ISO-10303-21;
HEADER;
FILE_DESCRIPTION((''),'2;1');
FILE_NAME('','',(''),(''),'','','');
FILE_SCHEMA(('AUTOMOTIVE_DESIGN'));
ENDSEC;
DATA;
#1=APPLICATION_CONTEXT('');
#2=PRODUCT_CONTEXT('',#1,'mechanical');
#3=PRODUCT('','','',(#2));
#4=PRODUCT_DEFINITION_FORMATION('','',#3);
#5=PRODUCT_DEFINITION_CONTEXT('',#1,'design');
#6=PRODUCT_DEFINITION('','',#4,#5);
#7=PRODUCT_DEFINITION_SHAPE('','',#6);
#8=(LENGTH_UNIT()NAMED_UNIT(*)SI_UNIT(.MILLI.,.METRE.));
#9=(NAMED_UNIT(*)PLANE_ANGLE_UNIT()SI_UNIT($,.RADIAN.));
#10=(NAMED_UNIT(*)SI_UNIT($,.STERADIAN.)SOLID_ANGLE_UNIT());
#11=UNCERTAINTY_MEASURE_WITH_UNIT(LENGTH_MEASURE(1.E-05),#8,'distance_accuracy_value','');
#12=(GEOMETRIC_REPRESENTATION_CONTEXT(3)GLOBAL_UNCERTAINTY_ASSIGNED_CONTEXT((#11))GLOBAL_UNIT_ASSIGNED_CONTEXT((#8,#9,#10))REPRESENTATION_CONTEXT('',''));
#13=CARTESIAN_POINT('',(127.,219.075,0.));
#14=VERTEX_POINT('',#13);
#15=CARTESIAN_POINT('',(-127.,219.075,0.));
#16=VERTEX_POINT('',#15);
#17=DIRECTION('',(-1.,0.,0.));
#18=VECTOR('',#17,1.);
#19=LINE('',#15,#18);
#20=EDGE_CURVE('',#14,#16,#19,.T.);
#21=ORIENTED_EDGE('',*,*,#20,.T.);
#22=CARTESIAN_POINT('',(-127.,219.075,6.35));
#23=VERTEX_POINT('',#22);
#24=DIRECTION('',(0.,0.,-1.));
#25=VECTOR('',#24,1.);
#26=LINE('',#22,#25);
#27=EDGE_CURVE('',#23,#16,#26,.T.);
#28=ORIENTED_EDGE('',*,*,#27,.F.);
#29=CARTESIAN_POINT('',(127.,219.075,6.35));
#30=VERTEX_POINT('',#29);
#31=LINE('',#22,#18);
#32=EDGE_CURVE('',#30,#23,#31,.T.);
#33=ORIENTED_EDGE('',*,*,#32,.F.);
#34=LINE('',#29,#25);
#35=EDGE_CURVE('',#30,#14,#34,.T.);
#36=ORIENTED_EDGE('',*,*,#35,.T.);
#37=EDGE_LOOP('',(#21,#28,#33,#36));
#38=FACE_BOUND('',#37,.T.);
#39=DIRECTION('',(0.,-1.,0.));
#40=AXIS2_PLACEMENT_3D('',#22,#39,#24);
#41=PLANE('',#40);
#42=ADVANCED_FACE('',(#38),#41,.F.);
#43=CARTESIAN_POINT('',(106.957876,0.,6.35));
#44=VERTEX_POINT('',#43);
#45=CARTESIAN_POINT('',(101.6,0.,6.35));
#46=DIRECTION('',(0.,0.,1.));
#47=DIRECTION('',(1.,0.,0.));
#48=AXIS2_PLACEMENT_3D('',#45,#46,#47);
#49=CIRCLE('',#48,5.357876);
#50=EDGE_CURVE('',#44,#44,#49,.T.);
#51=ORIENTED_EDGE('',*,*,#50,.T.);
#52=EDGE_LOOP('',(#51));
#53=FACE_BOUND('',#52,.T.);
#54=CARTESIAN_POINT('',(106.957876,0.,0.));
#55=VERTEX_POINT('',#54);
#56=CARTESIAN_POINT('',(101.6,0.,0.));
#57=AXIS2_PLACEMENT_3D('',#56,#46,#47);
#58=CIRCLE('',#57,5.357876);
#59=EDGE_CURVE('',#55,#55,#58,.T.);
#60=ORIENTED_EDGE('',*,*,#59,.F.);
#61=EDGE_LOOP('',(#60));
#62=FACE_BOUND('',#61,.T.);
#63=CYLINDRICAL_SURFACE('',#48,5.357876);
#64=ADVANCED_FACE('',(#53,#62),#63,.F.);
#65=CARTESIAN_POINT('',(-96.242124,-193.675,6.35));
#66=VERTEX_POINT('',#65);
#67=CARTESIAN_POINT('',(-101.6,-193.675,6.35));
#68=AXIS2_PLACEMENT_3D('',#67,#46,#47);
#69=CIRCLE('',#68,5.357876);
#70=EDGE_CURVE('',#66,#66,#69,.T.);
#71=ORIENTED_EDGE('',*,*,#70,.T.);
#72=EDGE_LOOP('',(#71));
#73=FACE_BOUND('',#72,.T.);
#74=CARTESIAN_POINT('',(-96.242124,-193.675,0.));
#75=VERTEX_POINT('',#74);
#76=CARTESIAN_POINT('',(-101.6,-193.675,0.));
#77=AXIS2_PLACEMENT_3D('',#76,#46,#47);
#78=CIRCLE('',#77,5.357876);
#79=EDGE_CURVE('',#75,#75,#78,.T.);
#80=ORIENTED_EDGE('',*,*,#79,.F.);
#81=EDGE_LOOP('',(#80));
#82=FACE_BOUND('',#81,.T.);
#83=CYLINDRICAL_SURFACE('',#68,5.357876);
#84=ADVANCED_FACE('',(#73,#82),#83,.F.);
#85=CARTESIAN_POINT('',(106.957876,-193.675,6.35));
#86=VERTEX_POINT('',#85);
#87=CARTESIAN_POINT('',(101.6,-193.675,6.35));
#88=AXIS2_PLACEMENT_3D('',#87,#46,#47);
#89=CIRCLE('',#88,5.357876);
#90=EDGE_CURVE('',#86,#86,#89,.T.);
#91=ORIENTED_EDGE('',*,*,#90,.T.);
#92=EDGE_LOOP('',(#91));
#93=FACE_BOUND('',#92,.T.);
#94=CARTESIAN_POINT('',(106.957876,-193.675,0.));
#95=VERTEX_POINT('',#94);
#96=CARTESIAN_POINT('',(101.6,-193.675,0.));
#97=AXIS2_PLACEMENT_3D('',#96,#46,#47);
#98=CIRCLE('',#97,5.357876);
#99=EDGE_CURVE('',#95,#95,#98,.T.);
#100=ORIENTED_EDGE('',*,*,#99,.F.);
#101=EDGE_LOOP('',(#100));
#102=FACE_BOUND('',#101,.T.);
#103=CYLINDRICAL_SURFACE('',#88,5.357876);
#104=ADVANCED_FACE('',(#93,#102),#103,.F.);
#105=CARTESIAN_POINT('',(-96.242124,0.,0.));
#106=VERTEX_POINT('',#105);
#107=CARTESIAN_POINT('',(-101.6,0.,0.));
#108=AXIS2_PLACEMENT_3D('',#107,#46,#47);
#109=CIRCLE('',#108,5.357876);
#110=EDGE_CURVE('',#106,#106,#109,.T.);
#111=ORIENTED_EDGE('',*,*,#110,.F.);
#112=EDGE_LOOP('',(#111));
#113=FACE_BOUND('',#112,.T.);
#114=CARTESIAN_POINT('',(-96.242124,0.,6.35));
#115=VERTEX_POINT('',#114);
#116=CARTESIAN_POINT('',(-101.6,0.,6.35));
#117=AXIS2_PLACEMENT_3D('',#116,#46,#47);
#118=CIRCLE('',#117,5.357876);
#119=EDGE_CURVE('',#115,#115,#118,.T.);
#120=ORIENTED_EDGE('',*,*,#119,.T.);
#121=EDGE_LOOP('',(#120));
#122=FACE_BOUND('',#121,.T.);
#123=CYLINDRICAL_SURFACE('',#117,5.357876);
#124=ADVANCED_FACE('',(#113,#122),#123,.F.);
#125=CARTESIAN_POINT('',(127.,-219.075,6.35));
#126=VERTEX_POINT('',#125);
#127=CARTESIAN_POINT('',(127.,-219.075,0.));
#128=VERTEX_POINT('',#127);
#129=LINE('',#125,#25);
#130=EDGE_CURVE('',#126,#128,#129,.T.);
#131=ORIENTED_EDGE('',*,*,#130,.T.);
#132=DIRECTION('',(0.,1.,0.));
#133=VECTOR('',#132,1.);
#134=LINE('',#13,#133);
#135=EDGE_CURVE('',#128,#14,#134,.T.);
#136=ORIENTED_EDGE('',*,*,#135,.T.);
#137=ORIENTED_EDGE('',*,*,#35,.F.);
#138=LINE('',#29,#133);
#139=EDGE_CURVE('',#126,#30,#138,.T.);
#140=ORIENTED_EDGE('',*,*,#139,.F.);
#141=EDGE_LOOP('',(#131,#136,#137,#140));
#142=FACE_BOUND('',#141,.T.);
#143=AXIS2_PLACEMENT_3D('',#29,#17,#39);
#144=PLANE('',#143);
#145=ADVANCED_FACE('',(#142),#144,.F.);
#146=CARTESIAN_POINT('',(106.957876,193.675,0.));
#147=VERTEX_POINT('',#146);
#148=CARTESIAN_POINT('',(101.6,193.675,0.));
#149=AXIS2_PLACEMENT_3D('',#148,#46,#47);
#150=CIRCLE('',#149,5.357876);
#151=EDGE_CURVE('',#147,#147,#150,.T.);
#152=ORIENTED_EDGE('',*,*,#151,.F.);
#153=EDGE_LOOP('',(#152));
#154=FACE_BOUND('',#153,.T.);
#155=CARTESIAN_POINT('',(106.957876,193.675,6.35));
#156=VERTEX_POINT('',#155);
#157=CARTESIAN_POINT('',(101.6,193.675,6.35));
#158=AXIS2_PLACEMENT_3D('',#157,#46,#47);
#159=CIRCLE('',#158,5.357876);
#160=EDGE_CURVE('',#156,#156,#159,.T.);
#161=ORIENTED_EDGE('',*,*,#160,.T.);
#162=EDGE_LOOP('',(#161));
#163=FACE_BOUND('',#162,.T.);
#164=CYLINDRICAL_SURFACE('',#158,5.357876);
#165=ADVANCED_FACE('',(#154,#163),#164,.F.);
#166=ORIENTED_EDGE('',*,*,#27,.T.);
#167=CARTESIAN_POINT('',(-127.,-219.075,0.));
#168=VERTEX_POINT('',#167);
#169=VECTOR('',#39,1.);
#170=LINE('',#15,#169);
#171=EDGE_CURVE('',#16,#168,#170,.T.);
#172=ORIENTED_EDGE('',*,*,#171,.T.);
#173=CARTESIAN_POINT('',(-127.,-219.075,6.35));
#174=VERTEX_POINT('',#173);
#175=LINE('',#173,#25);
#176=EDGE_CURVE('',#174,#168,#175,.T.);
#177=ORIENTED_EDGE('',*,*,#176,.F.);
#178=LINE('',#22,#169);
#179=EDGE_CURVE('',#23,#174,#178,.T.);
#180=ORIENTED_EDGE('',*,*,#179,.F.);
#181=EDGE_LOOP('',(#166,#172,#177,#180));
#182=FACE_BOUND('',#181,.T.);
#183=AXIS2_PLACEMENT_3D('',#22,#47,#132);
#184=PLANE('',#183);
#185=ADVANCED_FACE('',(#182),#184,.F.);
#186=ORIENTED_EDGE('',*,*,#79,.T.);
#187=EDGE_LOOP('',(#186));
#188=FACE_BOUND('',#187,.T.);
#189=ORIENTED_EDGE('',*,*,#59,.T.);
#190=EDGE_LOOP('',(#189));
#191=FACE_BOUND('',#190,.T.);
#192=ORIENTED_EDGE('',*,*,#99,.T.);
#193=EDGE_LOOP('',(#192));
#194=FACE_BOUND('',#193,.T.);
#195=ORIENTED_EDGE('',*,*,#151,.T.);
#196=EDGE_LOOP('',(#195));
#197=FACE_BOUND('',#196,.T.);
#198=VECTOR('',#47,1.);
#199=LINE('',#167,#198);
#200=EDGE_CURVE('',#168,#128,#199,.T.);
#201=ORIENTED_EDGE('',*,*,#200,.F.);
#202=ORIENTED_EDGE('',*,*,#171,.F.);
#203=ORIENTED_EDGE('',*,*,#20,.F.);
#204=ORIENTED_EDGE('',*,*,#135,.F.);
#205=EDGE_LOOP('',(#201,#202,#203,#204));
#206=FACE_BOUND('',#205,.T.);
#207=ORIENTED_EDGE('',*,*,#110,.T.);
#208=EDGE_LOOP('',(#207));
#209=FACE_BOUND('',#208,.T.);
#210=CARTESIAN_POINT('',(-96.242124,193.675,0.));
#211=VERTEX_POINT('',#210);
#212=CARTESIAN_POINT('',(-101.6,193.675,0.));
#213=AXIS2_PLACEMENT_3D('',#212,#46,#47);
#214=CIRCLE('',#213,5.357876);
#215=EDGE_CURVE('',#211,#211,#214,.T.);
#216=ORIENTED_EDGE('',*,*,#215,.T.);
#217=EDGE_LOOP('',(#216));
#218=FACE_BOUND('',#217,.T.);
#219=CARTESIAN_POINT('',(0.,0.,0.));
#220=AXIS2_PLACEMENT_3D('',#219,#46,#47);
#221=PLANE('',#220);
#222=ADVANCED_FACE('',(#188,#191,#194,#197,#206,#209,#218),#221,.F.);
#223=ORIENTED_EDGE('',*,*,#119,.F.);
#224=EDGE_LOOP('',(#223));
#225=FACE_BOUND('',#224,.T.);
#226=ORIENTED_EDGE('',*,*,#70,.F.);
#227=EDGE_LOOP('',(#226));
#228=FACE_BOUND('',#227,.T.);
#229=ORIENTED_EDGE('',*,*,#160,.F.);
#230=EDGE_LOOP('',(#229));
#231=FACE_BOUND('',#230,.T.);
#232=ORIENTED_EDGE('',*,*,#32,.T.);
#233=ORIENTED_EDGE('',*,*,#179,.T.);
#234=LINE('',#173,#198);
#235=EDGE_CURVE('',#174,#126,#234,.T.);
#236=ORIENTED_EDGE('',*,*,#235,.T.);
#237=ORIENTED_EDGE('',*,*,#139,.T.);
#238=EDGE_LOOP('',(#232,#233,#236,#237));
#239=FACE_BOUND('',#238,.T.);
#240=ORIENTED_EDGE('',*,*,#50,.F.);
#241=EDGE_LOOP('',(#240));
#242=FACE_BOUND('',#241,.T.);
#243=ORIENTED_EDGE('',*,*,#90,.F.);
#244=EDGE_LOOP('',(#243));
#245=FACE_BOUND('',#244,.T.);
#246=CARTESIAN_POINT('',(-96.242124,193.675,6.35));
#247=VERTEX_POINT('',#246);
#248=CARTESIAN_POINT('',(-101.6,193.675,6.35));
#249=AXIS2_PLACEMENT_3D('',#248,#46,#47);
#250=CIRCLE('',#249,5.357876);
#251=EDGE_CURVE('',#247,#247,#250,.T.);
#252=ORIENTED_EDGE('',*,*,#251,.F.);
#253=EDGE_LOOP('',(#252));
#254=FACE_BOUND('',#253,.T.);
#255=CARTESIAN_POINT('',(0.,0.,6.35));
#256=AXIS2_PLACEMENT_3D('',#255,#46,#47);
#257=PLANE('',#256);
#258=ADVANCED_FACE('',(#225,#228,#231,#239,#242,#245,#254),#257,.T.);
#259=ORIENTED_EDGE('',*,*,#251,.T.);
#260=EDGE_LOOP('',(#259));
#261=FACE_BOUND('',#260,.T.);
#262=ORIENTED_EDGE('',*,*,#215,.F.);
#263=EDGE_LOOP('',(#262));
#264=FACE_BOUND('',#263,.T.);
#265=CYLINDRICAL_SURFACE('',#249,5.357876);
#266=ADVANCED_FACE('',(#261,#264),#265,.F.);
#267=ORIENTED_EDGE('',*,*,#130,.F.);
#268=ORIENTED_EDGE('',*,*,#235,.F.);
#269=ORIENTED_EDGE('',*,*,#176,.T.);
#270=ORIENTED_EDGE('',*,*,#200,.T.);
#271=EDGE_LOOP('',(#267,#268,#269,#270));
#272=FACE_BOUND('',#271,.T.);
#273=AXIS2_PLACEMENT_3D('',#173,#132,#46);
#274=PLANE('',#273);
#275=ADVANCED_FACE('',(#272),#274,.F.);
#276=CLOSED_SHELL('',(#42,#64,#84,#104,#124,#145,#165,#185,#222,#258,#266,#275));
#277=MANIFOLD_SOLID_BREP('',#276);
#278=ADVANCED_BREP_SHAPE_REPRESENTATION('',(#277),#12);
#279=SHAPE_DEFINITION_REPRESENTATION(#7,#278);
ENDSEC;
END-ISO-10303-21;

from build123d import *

# Parameters (mm, degrees)
SKETCH1_W                        = 254
SKETCH1_H                        = 438.15
BOSS_EXTRUDE1_DEPTH              = 6.35
F_27_64_0_42188_DIAMETER_HOLE1_D = 10.715752


with BuildPart() as part:
    # Sketch1 → Boss-Extrude1 (new body)
    with BuildSketch(Plane.XY):
        Rectangle(SKETCH1_W, SKETCH1_H)
    extrude(amount=BOSS_EXTRUDE1_DEPTH)

    # 27/64 (0.42188) Diameter Hole1 (through all)
    with Locations(Plane.XY.offset(6.35)):
        with Locations((-101.6, 193.675), (-101.6, 0), (-101.6, -193.675), (101.6, 193.675), (101.6, 0), (101.6, -193.675)):
            Hole(F_27_64_0_42188_DIAMETER_HOLE1_D / 2)


solid = part.part
